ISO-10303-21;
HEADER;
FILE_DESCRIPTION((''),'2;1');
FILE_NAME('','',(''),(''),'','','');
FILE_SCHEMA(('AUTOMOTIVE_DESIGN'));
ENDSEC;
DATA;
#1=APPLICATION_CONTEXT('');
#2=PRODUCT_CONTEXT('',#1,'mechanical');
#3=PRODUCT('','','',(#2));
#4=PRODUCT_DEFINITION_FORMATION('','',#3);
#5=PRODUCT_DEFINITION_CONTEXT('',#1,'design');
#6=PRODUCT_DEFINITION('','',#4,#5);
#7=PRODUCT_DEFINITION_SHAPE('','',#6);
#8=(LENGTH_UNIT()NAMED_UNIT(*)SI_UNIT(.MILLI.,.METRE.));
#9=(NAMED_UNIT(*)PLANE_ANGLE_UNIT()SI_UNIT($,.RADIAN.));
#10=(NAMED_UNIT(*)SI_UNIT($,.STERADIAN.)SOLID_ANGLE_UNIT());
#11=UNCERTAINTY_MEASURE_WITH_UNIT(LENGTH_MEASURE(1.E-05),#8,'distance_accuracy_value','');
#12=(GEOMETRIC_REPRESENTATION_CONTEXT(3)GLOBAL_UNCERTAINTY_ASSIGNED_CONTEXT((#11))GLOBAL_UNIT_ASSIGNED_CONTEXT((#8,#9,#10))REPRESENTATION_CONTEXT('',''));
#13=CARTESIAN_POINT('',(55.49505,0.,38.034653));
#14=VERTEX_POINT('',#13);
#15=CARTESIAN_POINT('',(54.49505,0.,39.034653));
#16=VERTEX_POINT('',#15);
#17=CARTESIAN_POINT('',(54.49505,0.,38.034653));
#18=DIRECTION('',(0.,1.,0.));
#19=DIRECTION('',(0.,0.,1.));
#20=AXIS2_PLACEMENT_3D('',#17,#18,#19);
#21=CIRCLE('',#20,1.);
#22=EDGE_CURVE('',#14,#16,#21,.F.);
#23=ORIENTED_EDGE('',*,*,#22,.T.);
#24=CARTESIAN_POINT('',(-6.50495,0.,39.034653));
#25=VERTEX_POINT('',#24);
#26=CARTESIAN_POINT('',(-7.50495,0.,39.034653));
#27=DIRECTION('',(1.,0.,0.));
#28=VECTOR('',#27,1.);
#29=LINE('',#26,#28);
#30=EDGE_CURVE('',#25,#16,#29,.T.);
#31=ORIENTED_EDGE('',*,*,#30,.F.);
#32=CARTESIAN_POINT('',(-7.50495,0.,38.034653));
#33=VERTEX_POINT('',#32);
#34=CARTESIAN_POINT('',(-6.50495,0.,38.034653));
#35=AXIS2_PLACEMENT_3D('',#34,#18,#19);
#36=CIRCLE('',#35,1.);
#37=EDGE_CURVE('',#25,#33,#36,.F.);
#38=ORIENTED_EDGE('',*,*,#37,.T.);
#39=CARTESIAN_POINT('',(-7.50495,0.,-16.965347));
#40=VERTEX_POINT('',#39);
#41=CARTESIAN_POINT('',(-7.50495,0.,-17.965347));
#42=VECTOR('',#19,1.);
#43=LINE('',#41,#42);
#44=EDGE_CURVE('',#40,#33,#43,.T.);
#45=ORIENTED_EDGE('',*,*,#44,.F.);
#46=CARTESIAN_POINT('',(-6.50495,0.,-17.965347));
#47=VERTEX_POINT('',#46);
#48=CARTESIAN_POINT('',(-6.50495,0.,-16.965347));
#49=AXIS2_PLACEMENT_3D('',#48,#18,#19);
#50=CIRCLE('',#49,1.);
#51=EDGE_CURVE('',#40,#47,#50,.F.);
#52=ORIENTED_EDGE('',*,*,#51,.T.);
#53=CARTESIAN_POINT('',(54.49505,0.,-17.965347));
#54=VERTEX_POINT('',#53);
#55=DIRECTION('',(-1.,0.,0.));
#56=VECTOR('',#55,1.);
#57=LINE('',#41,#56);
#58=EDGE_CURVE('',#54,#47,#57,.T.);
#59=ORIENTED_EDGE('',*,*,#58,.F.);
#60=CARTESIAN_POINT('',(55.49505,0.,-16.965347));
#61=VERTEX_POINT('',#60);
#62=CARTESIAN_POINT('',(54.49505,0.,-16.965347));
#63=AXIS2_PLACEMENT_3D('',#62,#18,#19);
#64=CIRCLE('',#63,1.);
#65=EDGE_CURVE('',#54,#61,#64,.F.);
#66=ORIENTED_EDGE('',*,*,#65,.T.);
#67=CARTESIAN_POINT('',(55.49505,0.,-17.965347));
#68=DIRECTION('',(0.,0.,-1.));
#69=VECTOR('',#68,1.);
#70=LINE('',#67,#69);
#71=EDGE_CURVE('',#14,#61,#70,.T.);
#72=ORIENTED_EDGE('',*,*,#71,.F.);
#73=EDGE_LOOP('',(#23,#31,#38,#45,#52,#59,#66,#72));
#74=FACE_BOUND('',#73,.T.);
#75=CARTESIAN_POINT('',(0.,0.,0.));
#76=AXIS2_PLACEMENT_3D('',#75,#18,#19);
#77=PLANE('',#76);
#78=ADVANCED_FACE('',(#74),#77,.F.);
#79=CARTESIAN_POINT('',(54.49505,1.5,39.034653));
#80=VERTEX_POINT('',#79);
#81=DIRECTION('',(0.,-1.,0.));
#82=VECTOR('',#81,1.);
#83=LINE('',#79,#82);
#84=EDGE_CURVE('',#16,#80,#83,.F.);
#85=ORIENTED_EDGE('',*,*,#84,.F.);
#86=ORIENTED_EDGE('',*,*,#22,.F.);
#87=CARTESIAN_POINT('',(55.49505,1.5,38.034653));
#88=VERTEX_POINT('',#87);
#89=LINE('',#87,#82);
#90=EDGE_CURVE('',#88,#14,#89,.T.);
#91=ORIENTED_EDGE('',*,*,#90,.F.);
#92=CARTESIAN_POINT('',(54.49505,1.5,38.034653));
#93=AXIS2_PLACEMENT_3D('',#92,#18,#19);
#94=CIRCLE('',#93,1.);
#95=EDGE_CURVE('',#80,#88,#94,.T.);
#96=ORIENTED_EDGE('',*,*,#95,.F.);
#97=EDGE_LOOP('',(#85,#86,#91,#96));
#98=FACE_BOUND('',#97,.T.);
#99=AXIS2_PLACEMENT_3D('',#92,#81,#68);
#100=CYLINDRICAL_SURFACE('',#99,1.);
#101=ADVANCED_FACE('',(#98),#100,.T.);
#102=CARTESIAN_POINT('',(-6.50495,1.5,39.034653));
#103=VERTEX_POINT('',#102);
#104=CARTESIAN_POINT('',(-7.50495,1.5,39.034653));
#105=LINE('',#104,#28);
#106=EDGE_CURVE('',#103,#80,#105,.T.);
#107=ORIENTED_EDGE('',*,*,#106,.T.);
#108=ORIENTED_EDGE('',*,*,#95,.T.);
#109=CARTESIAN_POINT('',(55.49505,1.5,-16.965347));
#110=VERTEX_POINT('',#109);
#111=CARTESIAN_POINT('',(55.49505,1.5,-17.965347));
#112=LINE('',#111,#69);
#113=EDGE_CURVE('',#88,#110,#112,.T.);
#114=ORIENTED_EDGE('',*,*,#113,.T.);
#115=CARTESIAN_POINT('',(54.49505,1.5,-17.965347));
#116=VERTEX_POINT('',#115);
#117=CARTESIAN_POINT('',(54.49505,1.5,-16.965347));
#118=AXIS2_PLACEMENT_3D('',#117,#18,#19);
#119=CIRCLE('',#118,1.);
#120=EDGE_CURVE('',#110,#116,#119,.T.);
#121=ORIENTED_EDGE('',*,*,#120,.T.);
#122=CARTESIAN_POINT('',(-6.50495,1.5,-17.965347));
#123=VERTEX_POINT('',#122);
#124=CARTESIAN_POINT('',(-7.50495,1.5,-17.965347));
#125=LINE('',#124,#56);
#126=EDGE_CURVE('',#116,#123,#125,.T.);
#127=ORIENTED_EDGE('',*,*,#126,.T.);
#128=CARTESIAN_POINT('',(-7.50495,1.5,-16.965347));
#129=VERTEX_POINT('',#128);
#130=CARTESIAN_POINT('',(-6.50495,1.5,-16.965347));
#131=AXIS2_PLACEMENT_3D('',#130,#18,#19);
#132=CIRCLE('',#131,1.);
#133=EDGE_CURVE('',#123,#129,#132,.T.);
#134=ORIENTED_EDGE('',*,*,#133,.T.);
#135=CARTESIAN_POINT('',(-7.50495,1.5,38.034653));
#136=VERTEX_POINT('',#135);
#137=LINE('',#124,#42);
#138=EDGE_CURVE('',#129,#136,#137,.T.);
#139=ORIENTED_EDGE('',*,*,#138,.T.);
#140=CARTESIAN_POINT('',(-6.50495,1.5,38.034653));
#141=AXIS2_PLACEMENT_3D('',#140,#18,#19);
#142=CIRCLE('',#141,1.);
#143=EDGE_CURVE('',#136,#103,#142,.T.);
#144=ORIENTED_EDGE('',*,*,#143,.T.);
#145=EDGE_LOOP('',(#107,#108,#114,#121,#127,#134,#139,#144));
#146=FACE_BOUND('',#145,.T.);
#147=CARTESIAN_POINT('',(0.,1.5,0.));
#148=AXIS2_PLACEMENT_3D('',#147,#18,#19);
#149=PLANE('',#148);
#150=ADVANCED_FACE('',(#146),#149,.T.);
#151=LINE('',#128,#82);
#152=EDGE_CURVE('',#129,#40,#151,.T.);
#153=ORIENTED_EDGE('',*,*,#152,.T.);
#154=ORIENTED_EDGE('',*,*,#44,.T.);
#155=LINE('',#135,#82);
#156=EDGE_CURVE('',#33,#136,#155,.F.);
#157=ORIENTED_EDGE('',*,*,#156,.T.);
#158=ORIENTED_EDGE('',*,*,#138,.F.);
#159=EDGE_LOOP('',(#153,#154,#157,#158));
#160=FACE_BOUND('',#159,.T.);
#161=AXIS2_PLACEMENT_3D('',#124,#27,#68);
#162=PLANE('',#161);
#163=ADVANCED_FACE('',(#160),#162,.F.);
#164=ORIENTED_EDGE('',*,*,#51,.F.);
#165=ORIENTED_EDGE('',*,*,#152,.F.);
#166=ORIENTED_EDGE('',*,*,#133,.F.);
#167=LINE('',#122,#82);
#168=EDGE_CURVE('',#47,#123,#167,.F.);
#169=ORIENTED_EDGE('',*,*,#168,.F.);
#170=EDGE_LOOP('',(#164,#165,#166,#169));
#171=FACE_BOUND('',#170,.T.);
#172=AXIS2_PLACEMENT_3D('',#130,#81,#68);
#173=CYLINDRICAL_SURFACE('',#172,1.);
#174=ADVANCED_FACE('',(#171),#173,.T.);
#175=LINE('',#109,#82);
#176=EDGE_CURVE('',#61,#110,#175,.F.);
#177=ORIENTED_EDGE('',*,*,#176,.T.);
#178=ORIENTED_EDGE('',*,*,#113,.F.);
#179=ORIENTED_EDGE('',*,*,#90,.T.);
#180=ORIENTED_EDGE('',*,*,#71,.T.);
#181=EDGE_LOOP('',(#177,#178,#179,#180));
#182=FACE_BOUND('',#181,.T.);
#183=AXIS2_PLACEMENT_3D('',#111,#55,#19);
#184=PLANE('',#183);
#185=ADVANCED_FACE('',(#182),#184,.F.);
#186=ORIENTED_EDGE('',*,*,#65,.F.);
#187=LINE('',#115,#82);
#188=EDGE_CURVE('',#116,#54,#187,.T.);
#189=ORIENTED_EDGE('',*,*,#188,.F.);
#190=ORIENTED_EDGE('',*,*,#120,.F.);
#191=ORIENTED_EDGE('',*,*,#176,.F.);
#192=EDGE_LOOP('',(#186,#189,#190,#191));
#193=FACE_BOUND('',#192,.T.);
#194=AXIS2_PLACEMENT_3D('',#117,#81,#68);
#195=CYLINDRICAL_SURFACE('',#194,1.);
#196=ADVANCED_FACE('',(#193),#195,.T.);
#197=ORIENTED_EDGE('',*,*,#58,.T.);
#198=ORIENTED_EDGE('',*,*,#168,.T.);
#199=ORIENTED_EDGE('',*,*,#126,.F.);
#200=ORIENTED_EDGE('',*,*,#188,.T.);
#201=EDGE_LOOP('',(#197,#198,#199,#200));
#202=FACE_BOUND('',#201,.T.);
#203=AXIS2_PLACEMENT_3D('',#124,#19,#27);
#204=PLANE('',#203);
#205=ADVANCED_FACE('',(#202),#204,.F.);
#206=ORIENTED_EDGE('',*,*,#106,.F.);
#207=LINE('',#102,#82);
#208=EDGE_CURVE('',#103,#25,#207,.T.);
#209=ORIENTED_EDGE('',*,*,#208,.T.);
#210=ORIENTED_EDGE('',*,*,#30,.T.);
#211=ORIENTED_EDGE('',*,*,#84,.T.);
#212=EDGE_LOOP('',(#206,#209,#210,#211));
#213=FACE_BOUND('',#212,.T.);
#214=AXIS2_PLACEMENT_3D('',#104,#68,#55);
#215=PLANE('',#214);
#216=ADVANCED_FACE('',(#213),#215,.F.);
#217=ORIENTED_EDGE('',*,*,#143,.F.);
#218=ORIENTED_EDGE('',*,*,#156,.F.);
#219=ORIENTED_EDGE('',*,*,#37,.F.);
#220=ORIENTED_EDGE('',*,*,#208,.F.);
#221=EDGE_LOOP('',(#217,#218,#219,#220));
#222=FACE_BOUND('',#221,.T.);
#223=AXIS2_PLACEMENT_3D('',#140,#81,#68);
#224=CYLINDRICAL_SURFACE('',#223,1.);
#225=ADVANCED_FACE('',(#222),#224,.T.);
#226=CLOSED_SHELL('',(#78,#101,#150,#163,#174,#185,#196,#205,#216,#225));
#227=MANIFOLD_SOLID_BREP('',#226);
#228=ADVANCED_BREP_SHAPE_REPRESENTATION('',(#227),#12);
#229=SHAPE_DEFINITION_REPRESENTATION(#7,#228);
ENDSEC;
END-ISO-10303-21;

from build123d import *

# Parameters (mm, degrees)
SKETCH1_W           = 63
SKETCH1_H           = 57
BOSS_EXTRUDE1_DEPTH = 1.5
FILLET1_R           = 1
FILLET2_R           = 1
FILLET3_R           = 1


with BuildPart() as part:
    # Sketch1 → Boss-Extrude1 (new body)
    with BuildSketch(Plane(origin=(0, 0, 0), x_dir=(1, 0, 0), z_dir=(0, 1, 0))):
        with Locations((23.995049505, -10.534653465)):
            Rectangle(SKETCH1_W, SKETCH1_H)
    extrude(amount=BOSS_EXTRUDE1_DEPTH)

    # Fillet1
    fillet1_edges = [part.edges().sort_by_distance(p)[0] for p in [
        (55.495049505, 0.75, 39.034653465),
    ]]
    fillet(fillet1_edges, radius=FILLET1_R)

    # Fillet2
    fillet2_edges = [part.edges().sort_by_distance(p)[0] for p in [
        (55.495049505, 0.75, -17.965346535),
    ]]
    fillet(fillet2_edges, radius=FILLET2_R)

    # Fillet3
    fillet3_edges = [part.edges().sort_by_distance(p)[0] for p in [
        (-7.504950495, 0.75, -17.965346535),
        (-7.504950495, 0.75, 39.034653465),
    ]]
    fillet(fillet3_edges, radius=FILLET3_R)


solid = part.part
